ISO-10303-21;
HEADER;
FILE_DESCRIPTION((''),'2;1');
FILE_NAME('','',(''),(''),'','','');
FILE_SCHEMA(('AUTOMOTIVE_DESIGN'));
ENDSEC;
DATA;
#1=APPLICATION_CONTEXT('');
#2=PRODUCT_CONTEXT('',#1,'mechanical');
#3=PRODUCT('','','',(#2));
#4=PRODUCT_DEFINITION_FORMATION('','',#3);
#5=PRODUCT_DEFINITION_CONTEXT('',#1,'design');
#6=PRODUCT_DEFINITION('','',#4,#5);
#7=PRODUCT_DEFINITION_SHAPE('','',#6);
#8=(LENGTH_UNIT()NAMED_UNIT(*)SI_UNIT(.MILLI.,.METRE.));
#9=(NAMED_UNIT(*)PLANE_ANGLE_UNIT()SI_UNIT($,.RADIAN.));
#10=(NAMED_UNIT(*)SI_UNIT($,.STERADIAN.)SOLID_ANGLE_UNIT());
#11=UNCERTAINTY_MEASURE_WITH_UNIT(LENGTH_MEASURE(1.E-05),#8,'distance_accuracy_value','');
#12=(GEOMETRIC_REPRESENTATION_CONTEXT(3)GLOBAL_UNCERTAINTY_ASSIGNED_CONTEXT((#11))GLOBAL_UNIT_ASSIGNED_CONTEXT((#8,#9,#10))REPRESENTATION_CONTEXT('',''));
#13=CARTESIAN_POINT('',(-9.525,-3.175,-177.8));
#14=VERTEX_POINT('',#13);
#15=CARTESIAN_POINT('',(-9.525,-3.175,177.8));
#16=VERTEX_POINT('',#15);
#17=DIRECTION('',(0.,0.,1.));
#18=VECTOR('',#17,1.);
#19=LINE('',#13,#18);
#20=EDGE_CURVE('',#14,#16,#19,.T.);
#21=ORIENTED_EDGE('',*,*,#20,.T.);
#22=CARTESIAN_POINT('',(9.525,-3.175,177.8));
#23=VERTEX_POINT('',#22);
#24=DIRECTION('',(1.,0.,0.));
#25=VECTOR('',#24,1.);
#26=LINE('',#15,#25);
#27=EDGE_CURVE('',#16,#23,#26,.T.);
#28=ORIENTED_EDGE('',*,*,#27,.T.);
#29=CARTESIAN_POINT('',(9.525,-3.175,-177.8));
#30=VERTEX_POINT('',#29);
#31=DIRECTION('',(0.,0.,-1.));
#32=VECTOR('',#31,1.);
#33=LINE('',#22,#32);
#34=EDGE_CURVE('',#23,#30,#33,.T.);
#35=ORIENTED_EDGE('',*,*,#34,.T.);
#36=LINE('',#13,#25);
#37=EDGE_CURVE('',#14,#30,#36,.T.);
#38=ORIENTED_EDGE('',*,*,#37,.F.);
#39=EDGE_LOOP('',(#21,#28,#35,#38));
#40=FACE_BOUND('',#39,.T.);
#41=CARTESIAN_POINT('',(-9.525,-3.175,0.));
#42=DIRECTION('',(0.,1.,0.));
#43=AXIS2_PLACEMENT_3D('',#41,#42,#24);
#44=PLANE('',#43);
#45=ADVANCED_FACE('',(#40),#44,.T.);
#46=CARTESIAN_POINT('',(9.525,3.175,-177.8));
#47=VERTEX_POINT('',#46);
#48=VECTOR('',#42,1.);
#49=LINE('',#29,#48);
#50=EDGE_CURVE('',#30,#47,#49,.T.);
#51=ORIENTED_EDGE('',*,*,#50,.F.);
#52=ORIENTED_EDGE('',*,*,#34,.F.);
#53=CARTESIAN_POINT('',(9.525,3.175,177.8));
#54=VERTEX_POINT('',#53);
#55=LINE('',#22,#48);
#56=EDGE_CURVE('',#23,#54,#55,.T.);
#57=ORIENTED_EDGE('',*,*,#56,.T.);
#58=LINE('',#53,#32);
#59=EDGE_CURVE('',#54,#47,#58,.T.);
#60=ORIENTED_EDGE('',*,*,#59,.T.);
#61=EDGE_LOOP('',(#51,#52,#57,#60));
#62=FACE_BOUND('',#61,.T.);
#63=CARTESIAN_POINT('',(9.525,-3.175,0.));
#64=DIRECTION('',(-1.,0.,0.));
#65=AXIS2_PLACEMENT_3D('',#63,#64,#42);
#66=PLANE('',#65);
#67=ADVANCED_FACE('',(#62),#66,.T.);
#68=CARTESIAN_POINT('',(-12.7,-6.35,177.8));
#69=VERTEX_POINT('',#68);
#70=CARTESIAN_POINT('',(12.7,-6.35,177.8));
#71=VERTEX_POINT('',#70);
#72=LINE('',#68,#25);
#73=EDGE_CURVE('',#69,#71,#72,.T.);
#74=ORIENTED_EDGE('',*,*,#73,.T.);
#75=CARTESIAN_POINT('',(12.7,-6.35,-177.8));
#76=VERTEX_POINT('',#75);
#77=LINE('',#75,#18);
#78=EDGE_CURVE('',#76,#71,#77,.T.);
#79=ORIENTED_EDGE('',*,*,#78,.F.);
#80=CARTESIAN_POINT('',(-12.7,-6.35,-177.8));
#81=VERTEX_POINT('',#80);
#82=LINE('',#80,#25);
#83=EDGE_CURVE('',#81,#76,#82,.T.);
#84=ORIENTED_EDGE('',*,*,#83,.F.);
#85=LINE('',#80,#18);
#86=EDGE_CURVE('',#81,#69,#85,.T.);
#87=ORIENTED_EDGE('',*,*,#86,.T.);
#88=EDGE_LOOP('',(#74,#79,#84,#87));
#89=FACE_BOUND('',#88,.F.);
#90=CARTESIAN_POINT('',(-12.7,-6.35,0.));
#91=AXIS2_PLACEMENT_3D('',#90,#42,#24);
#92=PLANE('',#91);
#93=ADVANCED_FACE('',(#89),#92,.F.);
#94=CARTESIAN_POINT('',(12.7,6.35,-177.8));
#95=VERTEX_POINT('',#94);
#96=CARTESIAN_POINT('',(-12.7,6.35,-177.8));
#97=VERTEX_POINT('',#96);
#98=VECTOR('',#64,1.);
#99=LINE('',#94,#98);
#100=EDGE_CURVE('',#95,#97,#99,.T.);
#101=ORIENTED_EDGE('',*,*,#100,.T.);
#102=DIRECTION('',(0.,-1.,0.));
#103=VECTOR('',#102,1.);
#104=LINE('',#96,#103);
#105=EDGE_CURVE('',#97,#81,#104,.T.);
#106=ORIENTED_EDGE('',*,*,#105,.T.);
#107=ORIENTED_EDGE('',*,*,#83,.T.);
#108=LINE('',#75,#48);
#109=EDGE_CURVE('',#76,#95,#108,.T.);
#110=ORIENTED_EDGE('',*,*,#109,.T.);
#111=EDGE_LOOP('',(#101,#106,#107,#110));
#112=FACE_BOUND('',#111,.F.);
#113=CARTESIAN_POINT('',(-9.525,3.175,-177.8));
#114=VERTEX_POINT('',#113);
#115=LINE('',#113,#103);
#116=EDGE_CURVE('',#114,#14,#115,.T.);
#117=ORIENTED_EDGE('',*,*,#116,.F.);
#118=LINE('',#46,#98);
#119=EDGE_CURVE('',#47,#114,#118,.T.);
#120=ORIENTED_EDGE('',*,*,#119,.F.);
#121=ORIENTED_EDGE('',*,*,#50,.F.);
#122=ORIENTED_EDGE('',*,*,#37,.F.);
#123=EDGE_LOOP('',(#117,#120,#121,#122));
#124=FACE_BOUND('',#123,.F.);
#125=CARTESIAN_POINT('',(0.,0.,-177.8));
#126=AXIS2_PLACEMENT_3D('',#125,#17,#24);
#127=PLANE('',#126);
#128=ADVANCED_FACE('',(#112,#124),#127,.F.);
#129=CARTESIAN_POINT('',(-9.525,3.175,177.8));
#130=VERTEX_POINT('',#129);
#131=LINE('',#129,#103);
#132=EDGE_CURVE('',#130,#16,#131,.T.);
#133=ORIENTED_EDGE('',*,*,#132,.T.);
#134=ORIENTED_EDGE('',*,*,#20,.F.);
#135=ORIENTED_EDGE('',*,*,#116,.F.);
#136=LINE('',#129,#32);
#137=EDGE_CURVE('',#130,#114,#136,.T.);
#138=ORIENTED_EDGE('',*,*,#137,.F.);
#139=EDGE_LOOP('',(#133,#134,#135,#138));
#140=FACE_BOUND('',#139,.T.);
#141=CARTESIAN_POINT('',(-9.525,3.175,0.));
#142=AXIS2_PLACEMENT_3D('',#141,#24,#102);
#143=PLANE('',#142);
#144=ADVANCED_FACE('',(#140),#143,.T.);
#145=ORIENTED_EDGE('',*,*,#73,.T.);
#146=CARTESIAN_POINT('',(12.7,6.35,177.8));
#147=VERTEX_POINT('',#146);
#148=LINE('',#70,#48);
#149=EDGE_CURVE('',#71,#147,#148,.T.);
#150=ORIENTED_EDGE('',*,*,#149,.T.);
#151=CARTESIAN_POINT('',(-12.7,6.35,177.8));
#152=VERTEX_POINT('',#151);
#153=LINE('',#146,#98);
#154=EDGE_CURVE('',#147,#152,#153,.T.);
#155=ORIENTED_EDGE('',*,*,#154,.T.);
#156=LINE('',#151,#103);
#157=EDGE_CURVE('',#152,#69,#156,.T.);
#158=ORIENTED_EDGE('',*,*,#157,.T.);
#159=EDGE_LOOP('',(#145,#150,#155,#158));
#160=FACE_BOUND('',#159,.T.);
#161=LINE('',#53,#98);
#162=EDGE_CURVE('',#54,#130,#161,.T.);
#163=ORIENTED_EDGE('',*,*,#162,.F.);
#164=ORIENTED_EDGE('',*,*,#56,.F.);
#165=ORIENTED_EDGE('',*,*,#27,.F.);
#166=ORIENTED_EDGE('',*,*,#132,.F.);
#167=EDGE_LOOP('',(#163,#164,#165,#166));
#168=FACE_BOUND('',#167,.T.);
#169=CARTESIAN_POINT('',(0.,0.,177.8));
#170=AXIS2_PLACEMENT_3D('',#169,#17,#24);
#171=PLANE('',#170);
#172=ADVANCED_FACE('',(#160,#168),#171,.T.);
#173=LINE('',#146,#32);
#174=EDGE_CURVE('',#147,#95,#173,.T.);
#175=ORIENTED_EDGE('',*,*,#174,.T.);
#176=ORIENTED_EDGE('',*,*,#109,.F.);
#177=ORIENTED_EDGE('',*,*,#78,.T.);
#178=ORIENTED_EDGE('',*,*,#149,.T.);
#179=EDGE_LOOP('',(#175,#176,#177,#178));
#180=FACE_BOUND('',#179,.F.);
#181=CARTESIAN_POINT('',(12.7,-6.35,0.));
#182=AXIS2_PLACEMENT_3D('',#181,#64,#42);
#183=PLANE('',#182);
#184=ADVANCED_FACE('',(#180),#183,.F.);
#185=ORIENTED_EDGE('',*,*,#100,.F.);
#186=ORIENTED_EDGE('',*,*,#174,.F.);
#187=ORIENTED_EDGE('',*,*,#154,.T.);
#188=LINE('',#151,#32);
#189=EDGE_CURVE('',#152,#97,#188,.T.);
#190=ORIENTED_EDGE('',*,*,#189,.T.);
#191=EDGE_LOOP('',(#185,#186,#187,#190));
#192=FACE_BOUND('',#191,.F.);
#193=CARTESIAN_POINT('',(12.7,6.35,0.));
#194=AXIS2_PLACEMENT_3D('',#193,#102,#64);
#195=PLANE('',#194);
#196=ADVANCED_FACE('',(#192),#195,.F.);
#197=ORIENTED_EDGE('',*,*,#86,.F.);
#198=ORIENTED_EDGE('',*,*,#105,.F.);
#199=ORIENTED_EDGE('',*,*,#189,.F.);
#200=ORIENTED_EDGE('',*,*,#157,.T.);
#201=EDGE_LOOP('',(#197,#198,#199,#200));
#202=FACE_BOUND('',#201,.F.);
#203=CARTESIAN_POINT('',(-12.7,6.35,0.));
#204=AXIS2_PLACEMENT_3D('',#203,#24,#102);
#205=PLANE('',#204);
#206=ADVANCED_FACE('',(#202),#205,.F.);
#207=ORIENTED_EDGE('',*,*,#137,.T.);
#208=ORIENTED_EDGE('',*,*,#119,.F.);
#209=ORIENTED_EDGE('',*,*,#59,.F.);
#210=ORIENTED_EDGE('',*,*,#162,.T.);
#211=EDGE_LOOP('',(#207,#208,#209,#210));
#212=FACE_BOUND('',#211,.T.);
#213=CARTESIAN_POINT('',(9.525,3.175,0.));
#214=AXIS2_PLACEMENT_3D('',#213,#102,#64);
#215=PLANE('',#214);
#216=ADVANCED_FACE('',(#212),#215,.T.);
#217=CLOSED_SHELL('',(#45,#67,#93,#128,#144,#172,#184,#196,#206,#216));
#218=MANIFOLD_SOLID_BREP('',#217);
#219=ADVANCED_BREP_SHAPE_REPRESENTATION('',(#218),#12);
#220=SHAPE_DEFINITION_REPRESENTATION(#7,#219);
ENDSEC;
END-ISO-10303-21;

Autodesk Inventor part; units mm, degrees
ref_plane "YZ Plane" through (0, 0, 0) normal (1, 0, 0) x (0, 1, 0)
ref_plane "XZ Plane" through (0, 0, 0) normal (0, 1, 0) x (-1, 0, 0)
ref_plane "XY Plane" through (0, 0, 0) normal (0, 0, 1) x (1, 0, 0)
sketch "Sketch1" plane through (0, 0, 0) normal (0, 0, 1) x (1, 0, 0)
  line L0 (-12.7, -6.35) -> (12.7, -6.35)
  line L1 (12.7, -6.35) -> (12.7, 6.35)
  line L2 (12.7, 6.35) -> (-12.7, 6.35)
  line L3 (-12.7, 6.35) -> (-12.7, -6.35)
  line L4 (-12.7, -6.35) -> (12.7, 6.35) construction
  line L5 (12.7, -6.35) -> (-12.7, 6.35) construction
  line L6 (-9.525, -3.175) -> (9.525, -3.175)
  line L7 (9.525, -3.175) -> (9.525, 3.175)
  line L8 (9.525, 3.175) -> (-9.525, 3.175)
  line L9 (-9.525, 3.175) -> (-9.525, -3.175)
  line L10 (-9.525, -3.175) -> (9.525, 3.175) construction
  line L11 (9.525, -3.175) -> (-9.525, 3.175) construction
  point P0 (0, 0)
  dimension "d0" = 25.4
  dimension "d1" = 12.7
  dimension "d2" = 3.175
  dimension "d3" = 3.175
extrude "Extrusion1" add sketch "Sketch1" along normal mid plane 355.6
properties part number "1x0_5x14-aluminumExtrusion" material "Aluminum 6061, Welded"
